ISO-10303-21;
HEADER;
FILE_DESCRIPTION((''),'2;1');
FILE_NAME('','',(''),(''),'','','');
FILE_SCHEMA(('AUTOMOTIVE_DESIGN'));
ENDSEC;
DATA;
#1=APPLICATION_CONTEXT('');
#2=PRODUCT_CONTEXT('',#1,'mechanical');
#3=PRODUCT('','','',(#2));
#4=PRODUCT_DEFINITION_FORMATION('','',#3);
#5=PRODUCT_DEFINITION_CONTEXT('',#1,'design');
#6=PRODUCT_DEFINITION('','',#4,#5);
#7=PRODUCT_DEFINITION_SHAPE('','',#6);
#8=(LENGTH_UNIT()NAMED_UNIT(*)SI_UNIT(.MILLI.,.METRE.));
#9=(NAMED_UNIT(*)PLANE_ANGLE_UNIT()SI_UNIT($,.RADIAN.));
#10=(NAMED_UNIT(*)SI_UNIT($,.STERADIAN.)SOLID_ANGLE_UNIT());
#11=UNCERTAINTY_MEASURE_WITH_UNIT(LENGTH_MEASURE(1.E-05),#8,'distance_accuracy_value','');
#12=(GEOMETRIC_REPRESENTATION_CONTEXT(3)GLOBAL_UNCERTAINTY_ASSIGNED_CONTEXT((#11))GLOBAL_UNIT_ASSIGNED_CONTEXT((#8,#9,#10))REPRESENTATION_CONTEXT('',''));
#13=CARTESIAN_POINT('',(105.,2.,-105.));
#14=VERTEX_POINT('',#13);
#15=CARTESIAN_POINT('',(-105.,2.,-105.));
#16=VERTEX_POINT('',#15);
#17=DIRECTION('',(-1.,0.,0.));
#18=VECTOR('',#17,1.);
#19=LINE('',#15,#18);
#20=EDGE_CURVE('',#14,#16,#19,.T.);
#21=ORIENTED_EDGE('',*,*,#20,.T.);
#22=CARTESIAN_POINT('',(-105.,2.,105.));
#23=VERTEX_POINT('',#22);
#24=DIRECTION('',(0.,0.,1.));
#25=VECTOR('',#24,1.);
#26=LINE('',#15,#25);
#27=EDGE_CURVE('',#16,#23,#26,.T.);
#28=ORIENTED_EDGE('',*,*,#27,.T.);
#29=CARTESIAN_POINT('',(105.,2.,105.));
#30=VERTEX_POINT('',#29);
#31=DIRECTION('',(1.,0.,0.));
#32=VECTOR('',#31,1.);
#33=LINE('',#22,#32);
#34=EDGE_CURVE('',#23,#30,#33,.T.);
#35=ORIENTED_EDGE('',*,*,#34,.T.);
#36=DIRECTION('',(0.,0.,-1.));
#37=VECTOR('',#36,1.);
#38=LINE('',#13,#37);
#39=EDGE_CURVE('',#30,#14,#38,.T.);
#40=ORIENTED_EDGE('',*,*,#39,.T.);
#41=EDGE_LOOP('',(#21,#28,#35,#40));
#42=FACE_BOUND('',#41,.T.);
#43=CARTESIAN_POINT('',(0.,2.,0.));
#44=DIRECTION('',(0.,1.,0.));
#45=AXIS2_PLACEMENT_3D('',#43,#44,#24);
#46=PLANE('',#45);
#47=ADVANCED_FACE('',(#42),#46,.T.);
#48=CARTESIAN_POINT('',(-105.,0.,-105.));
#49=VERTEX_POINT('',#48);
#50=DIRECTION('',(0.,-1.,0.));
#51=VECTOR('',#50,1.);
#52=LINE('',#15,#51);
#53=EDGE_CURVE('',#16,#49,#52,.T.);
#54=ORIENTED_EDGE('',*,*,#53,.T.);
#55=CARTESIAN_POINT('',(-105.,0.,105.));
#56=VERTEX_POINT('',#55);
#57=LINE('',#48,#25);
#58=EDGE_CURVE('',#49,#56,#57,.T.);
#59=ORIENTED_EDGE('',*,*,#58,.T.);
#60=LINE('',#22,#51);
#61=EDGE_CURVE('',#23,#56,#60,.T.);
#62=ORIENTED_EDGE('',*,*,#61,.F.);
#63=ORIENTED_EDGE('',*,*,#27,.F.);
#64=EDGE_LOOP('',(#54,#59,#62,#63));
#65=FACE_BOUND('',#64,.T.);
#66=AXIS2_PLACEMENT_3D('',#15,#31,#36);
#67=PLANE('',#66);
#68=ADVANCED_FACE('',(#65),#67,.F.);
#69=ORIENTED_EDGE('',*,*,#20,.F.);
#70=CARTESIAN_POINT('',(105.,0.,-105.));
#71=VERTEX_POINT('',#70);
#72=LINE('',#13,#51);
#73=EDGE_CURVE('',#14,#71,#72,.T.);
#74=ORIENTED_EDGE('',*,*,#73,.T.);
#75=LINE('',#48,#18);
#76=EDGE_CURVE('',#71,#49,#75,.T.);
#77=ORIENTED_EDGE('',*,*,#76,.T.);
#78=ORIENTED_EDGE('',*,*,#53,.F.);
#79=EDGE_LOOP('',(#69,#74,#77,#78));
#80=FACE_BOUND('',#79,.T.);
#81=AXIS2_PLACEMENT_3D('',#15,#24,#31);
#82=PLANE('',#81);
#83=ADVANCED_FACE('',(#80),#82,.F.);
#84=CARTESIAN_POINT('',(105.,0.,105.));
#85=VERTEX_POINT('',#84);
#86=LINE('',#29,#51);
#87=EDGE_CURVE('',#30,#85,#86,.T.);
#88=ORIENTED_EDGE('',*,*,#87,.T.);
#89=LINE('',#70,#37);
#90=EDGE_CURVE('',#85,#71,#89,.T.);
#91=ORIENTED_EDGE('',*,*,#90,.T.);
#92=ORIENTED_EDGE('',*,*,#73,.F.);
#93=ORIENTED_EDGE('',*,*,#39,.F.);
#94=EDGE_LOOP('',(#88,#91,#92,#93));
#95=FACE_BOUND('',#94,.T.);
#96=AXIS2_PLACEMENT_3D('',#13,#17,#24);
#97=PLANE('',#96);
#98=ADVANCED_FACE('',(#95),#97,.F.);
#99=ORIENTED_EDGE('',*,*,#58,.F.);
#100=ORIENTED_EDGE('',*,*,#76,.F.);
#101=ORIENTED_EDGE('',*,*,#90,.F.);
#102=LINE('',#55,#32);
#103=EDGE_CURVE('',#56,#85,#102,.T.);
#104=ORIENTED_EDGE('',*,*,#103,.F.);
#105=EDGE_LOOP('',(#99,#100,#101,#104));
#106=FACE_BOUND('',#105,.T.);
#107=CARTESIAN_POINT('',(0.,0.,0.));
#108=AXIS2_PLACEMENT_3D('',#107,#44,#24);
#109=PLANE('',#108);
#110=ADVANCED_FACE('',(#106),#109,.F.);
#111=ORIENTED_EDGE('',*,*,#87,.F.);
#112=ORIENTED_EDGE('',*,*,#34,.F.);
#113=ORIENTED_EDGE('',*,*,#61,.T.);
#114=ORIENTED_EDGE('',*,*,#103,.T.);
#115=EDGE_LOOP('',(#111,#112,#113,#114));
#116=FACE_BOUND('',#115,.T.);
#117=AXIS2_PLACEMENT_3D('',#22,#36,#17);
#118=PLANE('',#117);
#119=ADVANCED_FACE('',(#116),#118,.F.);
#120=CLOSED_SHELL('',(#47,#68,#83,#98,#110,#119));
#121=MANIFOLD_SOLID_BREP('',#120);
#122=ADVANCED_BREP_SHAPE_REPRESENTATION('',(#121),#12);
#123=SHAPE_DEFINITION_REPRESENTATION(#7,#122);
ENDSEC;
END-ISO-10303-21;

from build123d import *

# Parameters (mm, degrees)
ESQUISSE1_W        = 210
ESQUISSE1_H        = 210
BOSS_EXTRU_1_DEPTH = 2


with BuildPart() as part:
    # Esquisse1 → Boss.-Extru.1 (new body)
    with BuildSketch(Plane(origin=(0, 0, 0), x_dir=(1, 0, 0), z_dir=(0, 1, 0))):
        Rectangle(ESQUISSE1_W, ESQUISSE1_H)
    extrude(amount=BOSS_EXTRU_1_DEPTH)


solid = part.part
